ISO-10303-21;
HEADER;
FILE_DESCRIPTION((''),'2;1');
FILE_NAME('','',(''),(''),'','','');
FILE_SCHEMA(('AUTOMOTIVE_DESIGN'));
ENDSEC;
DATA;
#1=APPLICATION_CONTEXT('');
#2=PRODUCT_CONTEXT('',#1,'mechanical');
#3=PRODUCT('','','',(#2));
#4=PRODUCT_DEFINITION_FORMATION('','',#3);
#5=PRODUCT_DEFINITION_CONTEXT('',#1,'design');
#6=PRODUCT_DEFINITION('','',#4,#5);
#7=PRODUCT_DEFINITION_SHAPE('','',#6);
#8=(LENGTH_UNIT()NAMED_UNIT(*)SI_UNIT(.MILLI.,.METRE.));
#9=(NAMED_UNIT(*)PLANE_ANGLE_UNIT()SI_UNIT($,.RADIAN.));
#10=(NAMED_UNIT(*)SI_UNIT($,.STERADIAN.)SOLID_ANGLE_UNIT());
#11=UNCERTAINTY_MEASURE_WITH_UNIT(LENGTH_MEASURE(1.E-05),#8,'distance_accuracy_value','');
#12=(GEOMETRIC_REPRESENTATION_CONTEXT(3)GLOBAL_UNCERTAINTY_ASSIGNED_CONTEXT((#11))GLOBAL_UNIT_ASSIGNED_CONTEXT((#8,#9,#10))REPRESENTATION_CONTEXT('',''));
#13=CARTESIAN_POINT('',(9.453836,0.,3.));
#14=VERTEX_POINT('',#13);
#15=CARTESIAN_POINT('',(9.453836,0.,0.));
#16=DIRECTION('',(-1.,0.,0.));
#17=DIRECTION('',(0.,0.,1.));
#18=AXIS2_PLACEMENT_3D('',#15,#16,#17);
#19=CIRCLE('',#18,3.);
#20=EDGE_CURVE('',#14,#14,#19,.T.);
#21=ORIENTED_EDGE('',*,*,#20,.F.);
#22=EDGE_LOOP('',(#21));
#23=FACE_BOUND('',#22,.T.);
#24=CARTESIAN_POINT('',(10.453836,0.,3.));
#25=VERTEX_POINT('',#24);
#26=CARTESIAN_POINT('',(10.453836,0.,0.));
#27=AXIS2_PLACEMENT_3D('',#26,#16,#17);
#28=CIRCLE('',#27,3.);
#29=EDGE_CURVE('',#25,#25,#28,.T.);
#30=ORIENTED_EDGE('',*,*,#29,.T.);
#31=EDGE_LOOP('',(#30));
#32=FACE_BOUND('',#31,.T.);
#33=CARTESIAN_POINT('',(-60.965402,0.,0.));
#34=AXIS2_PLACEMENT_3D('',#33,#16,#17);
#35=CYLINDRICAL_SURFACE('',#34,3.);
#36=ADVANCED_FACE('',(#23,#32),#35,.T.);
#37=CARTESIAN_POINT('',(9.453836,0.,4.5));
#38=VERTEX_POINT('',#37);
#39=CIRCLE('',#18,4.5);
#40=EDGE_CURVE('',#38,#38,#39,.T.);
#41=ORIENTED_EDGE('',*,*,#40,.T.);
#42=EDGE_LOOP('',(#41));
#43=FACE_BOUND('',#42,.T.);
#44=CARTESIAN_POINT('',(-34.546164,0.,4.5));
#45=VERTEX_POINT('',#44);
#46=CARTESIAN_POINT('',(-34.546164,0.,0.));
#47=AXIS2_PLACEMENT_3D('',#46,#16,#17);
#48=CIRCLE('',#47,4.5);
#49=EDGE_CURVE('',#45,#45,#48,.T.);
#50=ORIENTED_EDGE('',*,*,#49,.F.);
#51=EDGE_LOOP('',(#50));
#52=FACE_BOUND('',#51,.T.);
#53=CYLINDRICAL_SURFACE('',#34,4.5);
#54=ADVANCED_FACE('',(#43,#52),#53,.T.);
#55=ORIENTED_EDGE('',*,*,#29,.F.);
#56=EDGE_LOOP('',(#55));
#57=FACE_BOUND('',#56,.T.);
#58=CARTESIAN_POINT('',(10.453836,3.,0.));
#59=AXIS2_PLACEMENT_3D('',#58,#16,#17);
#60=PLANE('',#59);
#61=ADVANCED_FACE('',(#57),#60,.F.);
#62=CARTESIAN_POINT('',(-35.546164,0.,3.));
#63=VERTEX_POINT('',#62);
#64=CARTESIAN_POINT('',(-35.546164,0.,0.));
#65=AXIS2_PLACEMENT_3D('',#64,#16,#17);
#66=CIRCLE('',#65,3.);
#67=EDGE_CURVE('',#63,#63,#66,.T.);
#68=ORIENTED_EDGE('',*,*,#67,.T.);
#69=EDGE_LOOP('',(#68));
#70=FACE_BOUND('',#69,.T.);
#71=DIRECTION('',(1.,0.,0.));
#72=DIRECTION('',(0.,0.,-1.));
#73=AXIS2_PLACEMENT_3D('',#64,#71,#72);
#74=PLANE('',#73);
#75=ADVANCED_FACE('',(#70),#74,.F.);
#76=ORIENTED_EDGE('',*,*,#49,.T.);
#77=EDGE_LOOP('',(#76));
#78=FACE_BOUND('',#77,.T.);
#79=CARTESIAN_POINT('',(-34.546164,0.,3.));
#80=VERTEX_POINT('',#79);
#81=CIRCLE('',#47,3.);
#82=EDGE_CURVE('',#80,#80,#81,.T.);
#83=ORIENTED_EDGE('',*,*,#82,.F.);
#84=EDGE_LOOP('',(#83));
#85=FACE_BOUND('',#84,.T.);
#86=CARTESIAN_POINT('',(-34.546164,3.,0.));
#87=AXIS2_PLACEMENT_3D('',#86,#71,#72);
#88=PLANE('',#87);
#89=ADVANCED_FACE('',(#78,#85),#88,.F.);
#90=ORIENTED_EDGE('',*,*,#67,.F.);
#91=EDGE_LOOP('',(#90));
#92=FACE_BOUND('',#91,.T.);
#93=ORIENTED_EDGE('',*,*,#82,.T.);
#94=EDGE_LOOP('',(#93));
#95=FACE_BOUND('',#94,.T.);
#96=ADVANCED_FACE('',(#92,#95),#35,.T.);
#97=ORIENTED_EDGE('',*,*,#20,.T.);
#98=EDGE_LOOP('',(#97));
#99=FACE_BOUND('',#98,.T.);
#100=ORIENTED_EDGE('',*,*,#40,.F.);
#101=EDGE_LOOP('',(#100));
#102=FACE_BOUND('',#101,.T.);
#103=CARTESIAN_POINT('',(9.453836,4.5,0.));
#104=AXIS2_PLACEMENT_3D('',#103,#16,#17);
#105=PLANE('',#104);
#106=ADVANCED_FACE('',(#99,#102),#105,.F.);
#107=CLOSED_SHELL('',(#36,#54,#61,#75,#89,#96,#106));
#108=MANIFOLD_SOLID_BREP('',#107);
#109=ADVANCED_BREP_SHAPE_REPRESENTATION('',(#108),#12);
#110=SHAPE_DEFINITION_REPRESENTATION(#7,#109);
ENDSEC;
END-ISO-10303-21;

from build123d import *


with BuildPart() as part:
    # Schizzo3 → Rivoluzione1 (revolve)
    with BuildSketch(Plane.XY, mode=Mode.PRIVATE) as rivoluzione1_sk:
        Polygon((-35.546164343, 0), (-35.546164343, 3), (-34.546164343, 3), (-34.546164343, 4.5), (9.453835657, 4.5), (9.453835657, 3), (10.453835657, 3), (10.453835657, 0), align=None)
    revolve(rivoluzione1_sk.sketch.rotate(Axis((-60.965401978, 0, 0), (1, 0, 0)), 90), axis=Axis((-60.965401978, 0, 0), (1, 0, 0)))


solid = part.part
